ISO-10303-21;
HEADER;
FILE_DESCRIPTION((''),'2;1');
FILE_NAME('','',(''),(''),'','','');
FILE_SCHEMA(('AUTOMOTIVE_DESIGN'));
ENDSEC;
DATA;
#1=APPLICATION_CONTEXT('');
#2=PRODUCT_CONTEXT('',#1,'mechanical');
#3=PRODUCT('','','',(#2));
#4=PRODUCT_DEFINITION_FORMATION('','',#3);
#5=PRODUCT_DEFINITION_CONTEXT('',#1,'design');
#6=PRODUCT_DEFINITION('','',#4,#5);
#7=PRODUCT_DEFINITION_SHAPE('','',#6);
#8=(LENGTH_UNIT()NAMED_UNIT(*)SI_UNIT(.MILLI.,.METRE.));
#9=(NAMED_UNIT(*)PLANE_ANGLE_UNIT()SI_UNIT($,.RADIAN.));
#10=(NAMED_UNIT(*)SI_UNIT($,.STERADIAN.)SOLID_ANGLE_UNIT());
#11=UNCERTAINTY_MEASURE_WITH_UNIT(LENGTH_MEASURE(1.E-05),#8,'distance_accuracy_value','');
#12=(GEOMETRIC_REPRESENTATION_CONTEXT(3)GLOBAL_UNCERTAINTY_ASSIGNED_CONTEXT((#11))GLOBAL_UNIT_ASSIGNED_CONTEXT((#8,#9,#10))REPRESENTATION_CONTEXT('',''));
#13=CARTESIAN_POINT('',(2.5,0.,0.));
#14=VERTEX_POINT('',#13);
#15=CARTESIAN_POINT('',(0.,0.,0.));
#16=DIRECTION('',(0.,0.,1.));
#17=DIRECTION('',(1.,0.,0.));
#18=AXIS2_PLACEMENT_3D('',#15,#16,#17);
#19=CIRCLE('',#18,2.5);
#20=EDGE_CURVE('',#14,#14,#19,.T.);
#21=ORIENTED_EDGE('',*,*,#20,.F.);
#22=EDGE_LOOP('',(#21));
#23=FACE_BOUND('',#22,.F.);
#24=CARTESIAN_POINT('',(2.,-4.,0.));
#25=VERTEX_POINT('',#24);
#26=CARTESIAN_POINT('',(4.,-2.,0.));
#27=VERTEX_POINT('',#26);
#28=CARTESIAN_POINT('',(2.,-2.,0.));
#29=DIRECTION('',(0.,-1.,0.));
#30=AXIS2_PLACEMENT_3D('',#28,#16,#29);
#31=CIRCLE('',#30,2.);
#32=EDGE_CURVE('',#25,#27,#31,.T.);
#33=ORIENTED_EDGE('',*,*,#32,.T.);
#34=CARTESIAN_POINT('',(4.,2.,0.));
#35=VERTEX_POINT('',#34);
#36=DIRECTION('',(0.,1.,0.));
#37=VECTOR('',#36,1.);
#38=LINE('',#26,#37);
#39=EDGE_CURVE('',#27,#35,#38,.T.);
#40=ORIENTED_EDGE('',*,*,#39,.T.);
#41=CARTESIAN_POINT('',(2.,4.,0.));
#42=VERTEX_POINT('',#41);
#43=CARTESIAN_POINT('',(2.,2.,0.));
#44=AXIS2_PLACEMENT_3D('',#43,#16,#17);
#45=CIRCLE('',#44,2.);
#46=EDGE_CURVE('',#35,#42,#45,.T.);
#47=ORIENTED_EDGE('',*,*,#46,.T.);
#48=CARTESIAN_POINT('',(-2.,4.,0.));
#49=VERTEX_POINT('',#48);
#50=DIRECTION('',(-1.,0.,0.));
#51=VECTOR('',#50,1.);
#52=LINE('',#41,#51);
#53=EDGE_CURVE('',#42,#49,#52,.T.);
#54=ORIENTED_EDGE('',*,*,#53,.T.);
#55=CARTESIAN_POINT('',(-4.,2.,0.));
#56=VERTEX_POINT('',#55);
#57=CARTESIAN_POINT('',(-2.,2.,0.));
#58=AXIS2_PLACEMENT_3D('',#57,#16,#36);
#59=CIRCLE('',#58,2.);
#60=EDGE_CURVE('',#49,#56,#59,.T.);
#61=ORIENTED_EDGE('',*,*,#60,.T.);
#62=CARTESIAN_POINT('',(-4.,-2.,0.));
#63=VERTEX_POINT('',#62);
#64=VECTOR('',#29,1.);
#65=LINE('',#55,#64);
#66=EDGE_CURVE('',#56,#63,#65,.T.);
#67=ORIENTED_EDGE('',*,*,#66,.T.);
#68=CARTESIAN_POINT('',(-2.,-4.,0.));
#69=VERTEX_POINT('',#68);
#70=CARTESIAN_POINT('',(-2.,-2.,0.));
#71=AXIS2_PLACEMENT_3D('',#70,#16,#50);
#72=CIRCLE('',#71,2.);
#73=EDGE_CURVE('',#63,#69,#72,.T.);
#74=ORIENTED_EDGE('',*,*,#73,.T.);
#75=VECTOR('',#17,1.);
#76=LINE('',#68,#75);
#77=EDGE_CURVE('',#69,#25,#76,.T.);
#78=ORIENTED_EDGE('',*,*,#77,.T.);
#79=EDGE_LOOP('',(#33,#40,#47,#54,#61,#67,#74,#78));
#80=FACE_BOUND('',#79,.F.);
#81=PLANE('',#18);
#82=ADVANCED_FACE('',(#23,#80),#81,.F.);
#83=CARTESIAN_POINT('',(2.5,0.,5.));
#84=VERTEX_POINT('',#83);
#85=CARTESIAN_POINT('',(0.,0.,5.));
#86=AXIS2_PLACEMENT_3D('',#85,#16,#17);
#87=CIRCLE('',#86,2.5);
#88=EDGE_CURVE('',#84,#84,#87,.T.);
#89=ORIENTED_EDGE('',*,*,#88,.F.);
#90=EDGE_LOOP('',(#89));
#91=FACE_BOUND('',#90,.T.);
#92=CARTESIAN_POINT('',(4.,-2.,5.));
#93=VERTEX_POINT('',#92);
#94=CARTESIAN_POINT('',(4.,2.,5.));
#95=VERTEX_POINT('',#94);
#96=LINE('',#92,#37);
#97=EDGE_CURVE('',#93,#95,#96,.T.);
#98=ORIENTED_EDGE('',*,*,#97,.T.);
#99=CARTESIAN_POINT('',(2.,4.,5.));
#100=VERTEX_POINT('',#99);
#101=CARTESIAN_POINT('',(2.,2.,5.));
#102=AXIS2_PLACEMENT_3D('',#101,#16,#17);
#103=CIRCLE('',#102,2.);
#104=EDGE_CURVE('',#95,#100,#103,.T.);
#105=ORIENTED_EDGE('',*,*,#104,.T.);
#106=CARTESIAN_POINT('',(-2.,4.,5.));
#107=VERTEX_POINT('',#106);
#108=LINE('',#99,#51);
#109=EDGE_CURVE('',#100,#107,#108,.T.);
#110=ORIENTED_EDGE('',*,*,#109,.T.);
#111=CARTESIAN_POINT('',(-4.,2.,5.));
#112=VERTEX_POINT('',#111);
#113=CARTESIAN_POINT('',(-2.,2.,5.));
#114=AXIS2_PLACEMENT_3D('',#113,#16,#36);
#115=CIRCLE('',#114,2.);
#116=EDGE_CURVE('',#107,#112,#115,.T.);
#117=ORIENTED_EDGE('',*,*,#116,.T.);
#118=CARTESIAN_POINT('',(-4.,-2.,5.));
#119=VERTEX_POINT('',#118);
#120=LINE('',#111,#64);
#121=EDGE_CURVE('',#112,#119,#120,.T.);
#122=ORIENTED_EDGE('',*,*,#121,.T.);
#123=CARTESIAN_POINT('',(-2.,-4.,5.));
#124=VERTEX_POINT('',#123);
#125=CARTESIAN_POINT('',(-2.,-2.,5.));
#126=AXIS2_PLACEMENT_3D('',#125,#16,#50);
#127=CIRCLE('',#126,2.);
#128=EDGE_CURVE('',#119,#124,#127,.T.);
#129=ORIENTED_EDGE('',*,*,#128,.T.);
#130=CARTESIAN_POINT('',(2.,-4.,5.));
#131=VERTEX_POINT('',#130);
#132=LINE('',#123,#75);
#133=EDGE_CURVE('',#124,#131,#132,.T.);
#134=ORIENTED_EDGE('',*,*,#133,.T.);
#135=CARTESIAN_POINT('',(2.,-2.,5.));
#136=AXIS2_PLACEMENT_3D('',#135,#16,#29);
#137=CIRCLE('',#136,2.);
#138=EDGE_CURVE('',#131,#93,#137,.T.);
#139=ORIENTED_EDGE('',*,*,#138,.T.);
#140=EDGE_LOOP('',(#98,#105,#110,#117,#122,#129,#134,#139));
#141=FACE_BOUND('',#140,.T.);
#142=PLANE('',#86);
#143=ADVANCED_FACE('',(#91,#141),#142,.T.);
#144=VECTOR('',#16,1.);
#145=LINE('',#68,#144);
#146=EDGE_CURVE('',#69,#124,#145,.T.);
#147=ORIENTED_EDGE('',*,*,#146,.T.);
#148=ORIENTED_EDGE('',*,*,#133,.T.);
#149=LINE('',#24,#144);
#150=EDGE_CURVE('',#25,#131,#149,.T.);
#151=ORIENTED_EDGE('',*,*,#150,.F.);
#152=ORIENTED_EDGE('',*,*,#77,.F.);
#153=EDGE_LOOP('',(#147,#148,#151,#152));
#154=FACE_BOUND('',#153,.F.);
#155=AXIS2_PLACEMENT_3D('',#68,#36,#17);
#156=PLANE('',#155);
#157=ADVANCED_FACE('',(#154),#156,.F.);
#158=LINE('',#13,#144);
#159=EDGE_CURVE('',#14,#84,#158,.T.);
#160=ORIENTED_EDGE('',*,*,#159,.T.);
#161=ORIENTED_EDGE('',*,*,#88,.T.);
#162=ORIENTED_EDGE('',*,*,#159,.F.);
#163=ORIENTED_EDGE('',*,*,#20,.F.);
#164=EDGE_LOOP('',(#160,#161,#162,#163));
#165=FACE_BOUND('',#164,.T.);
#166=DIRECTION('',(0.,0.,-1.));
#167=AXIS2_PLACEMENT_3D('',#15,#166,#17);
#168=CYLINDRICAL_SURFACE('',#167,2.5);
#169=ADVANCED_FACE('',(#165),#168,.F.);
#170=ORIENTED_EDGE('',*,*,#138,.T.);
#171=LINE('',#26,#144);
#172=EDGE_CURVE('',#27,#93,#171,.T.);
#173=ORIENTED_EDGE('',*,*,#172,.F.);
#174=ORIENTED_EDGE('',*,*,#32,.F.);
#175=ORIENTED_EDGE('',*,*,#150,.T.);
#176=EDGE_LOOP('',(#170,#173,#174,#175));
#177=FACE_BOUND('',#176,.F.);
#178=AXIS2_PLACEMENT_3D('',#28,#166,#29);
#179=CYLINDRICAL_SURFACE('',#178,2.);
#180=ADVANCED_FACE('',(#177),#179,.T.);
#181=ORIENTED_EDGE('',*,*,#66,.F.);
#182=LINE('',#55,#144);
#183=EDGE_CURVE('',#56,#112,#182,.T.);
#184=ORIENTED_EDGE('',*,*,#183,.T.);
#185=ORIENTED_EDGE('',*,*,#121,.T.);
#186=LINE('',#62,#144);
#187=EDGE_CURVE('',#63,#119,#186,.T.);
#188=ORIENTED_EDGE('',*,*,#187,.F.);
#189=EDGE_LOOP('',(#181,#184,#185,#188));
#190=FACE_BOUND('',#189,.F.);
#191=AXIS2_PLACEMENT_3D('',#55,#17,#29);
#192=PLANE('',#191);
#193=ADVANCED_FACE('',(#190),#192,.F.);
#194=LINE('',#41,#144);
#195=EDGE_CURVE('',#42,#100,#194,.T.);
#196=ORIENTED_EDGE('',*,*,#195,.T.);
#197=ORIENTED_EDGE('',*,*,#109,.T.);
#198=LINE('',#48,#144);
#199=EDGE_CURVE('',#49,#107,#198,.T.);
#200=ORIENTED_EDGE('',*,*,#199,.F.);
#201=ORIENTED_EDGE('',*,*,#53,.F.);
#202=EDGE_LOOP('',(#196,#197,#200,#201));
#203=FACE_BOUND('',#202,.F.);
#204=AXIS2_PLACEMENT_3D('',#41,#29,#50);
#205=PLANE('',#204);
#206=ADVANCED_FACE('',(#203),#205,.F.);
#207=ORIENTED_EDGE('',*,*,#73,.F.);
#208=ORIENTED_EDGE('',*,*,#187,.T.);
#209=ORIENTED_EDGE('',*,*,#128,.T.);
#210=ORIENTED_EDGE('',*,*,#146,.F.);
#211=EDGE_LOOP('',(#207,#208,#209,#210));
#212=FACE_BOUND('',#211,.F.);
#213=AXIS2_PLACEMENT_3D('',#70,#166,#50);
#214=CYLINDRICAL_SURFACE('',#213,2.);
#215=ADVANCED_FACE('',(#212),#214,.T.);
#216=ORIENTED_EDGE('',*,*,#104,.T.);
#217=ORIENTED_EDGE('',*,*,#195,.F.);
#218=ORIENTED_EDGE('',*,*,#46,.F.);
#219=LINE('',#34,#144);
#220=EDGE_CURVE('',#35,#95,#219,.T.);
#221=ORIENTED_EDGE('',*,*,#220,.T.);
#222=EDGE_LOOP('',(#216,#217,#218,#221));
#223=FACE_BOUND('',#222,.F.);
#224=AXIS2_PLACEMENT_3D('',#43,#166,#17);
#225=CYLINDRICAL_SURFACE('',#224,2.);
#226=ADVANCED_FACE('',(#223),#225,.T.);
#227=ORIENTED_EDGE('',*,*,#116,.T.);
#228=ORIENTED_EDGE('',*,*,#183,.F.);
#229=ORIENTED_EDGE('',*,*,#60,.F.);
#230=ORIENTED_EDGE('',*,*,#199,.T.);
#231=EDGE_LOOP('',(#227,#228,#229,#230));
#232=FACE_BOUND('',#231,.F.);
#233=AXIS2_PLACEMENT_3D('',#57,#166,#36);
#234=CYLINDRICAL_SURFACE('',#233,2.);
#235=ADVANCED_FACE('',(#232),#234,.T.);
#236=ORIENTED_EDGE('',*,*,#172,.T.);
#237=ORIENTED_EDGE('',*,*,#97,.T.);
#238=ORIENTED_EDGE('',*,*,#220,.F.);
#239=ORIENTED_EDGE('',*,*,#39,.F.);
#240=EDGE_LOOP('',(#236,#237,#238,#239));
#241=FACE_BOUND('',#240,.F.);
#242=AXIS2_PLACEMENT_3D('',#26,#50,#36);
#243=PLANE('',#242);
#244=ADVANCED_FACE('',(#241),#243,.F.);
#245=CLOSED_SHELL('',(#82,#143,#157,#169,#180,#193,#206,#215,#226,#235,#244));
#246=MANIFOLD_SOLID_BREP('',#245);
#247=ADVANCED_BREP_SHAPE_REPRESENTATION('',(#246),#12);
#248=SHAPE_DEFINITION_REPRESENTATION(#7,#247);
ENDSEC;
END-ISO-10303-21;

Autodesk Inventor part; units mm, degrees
ref_plane "YZ Plane" through (0, 0, 0) normal (1, 0, 0) x (0, 1, 0)
ref_plane "XZ Plane" through (0, 0, 0) normal (0, 1, 0) x (-1, 0, 0)
ref_plane "Plano de trabajo1" through (0, 0, 0) normal (0, 0, 1) x (1, 0, 0)
sketch "Boceto1" plane through (0, 0, 0) normal (0, 0, 1) x (1, 0, 0)
  arc A0 (-2.4, -0.7) -> (-0.7, -2.4) centre (0, 0) ccw construction
  circle A1 centre (0, 0) radius 2.5
  line L0 (2, 4) -> (-2, 4)
  line L1 (-4, 2) -> (-4, -2)
  line L2 (-2, -4) -> (2, -4)
  line L3 (4, -2) -> (4, 2)
  line L4 (4, 4) -> (-4, -4) construction
  line L5 (-4, 4) -> (4, -4) construction
  arc A2 (-2, 4) -> (-4, 2) centre (-2, 2) ccw
  arc A3 (4, 2) -> (2, 4) centre (2, 2) ccw
  arc A4 (-4, -2) -> (-2, -4) centre (-2, -2) ccw
  arc A5 (2, -4) -> (4, -2) centre (2, -2) ccw
  point P0 (0, 0)
  dimension "d0" = 8
  dimension "d1" = 8
  dimension "d2" = 2
extrude "Extrusión1" add sketch "Boceto1" along normal blind 5
properties part number "RetenedorEjeGarraVerticalSuperior"
